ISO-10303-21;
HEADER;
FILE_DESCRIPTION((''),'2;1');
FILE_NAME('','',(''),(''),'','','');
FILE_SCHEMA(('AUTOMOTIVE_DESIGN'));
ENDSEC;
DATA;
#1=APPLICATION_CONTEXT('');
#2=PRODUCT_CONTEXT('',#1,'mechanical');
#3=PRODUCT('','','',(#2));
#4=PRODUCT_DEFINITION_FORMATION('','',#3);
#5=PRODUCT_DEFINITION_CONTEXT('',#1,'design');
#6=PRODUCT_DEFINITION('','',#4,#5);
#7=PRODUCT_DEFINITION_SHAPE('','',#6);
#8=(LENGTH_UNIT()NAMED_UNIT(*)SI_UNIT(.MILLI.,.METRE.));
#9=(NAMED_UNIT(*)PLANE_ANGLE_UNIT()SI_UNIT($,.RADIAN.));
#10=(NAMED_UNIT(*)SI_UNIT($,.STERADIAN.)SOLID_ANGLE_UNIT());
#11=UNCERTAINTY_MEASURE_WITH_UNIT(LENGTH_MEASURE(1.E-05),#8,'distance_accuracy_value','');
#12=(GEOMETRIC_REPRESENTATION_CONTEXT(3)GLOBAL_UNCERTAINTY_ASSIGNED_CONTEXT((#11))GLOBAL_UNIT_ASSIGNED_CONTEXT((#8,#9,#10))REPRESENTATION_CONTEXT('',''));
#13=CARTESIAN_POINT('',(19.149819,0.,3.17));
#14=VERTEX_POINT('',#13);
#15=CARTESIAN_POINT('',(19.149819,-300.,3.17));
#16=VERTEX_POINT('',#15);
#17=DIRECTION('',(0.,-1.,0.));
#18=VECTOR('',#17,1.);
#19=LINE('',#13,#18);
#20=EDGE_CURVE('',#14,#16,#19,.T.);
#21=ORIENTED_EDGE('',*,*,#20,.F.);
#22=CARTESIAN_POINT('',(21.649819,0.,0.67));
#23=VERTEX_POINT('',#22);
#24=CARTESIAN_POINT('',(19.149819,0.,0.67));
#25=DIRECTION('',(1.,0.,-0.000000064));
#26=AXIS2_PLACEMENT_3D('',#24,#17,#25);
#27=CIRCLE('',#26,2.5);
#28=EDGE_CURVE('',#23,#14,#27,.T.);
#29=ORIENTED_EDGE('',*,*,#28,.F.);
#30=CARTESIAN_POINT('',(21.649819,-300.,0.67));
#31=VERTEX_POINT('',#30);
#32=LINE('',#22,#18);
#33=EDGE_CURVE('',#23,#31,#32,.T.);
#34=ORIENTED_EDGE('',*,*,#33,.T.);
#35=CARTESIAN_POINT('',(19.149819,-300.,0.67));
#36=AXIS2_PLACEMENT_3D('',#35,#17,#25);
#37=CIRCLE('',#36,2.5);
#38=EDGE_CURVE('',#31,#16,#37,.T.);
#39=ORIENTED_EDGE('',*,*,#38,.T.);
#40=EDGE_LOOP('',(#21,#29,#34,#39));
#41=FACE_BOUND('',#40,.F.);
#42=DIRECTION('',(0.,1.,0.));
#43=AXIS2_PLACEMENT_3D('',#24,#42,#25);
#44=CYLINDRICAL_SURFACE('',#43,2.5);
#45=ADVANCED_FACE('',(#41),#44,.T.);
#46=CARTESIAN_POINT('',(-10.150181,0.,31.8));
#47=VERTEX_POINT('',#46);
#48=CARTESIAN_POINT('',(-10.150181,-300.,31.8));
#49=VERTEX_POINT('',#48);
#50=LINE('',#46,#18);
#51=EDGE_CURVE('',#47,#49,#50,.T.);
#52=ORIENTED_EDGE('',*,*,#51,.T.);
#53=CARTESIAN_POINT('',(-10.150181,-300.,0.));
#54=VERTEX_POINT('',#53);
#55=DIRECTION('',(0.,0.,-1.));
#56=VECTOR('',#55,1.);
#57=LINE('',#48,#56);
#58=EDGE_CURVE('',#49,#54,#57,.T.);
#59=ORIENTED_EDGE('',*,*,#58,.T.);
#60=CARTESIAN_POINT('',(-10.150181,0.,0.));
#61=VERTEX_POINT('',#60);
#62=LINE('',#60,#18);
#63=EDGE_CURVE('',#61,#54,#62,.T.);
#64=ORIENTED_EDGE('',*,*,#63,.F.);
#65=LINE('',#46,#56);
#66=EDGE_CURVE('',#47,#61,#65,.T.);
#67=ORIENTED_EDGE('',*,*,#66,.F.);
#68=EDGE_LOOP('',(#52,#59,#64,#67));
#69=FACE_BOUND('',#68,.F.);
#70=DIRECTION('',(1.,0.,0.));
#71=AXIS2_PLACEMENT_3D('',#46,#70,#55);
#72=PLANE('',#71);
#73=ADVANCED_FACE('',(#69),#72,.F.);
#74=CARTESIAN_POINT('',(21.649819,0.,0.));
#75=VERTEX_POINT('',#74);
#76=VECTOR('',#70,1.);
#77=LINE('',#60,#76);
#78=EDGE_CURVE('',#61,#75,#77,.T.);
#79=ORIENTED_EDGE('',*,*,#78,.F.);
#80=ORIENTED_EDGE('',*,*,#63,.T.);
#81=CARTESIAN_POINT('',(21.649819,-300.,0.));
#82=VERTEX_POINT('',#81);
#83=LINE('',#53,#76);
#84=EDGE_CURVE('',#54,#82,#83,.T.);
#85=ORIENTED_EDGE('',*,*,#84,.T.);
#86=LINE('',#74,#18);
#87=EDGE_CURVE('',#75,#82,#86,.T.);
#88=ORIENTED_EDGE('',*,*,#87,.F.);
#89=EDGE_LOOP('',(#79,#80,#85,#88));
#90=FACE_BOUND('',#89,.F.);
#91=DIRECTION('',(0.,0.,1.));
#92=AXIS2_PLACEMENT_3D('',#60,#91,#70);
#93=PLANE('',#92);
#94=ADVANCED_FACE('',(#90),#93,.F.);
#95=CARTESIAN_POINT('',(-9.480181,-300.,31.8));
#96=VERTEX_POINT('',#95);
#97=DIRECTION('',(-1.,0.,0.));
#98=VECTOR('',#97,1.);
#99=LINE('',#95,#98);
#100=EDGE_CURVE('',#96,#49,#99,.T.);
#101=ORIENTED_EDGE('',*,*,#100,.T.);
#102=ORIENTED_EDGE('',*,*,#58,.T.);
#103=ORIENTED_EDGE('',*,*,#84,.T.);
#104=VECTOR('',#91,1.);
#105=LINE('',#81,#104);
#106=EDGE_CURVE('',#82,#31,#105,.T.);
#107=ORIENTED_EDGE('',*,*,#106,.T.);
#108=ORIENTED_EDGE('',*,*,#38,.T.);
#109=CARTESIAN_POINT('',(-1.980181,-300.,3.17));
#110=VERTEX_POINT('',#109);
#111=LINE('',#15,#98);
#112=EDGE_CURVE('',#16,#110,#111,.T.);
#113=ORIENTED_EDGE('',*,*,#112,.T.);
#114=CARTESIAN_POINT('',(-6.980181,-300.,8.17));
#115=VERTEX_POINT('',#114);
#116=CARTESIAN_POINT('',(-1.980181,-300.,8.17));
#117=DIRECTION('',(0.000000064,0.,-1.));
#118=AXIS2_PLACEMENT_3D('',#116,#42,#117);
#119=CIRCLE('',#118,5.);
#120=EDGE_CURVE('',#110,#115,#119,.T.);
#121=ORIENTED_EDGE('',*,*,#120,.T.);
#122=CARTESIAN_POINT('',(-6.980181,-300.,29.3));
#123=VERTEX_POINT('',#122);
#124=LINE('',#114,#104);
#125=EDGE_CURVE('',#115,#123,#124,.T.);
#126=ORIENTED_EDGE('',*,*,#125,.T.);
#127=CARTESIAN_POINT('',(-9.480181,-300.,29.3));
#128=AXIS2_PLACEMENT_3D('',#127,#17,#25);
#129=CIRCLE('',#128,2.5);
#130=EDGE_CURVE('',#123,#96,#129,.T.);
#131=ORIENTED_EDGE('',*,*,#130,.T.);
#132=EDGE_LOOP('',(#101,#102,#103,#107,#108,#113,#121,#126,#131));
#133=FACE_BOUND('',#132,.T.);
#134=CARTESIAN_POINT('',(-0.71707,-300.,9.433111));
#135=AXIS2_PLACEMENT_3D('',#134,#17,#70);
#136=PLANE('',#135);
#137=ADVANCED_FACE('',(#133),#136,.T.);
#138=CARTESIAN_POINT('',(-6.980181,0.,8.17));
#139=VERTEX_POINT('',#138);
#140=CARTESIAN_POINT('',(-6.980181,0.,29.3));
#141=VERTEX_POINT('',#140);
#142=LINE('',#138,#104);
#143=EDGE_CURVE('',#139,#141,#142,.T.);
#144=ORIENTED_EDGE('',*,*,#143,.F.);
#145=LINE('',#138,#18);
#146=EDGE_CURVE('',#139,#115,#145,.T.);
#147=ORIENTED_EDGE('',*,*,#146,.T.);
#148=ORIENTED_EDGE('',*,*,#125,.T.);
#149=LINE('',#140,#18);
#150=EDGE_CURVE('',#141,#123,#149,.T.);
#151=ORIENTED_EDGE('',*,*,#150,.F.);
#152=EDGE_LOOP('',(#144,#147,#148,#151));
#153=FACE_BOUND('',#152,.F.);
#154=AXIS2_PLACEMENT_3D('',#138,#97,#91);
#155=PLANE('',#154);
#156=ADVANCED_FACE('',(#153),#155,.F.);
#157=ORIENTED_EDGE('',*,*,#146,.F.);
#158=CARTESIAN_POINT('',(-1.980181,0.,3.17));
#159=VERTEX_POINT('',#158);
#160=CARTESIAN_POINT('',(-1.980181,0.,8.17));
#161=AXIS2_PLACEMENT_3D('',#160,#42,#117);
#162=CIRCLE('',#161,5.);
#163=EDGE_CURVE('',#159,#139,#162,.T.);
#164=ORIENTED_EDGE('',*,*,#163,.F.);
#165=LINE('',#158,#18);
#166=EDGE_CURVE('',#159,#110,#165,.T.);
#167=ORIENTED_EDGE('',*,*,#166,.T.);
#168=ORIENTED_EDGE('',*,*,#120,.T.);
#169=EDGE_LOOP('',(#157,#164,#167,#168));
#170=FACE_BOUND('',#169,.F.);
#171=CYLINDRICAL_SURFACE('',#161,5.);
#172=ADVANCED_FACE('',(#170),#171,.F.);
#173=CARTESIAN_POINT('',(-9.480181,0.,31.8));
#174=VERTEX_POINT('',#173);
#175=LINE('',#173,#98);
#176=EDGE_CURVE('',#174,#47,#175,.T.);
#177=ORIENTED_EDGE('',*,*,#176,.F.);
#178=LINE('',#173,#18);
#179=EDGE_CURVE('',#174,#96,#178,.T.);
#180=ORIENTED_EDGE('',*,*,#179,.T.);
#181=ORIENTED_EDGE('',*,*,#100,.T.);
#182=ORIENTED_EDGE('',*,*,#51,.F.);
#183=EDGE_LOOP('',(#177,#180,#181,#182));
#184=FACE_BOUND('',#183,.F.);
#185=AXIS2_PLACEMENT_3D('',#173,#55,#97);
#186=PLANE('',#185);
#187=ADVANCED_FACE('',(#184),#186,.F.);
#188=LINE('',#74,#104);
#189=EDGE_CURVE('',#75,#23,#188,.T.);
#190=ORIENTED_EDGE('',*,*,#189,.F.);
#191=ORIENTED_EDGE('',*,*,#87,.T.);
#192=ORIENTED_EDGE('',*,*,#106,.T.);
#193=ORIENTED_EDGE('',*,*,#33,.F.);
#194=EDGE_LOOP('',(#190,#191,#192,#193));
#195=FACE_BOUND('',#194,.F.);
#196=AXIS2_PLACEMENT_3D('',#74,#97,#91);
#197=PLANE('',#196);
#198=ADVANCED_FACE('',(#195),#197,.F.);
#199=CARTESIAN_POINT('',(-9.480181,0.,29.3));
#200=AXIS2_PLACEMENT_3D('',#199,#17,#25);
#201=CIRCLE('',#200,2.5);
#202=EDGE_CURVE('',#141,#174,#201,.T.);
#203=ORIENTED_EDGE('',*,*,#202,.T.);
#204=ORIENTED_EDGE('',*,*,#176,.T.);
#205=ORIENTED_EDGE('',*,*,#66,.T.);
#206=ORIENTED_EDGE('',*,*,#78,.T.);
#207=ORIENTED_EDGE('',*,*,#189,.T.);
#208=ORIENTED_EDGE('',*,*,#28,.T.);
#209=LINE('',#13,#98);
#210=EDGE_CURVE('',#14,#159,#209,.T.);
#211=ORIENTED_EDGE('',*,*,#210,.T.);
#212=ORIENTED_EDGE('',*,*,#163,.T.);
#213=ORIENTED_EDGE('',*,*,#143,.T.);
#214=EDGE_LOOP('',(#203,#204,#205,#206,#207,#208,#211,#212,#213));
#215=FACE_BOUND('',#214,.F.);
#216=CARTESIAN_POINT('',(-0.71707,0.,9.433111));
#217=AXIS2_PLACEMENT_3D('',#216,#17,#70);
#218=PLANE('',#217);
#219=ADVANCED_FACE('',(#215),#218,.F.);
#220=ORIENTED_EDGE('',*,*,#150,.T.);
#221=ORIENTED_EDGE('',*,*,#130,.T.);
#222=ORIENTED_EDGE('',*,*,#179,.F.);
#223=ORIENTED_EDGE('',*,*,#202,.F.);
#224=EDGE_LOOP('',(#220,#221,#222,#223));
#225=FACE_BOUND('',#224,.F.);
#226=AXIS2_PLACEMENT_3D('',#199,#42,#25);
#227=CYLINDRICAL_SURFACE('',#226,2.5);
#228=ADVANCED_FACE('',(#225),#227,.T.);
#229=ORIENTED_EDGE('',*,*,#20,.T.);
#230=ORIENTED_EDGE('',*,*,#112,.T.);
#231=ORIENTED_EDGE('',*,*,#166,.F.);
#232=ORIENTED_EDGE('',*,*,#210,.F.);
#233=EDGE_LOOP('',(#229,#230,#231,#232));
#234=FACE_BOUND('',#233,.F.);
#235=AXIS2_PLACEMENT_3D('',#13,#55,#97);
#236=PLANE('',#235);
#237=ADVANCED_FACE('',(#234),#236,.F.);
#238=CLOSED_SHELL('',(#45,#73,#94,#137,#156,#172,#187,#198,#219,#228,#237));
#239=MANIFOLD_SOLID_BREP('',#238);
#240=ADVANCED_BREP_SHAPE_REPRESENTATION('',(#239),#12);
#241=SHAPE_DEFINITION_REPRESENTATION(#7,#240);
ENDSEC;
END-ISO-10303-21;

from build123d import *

# Parameters (mm, degrees)
F1_DEPTH = 300


with BuildPart() as f1:
    # F0 (on Front) → F1 (new body)
    with BuildSketch(Plane.XZ):
        with BuildLine():
            Line((-9.480181, 31.8), (-10.150181, 31.8))
            Line((-10.150181, 31.8), (-10.150181, 0))
            Line((-10.150181, 0), (21.649819, 0))
            Line((21.649819, 0), (21.649819, 0.67))
            ThreePointArc((21.649819, 0.67), (20.917586, 2.437767), (19.149819, 3.17))
            Line((19.149819, 3.17), (-1.980181, 3.17))
            ThreePointArc((-1.980181, 3.17), (-5.515715, 4.634466), (-6.980181, 8.17))
            Line((-6.980181, 8.17), (-6.980181, 29.3))
            ThreePointArc((-6.980181, 29.3), (-7.712414, 31.067767), (-9.480181, 31.8))
        make_face()
    extrude(amount=F1_DEPTH)


solid = f1.part
